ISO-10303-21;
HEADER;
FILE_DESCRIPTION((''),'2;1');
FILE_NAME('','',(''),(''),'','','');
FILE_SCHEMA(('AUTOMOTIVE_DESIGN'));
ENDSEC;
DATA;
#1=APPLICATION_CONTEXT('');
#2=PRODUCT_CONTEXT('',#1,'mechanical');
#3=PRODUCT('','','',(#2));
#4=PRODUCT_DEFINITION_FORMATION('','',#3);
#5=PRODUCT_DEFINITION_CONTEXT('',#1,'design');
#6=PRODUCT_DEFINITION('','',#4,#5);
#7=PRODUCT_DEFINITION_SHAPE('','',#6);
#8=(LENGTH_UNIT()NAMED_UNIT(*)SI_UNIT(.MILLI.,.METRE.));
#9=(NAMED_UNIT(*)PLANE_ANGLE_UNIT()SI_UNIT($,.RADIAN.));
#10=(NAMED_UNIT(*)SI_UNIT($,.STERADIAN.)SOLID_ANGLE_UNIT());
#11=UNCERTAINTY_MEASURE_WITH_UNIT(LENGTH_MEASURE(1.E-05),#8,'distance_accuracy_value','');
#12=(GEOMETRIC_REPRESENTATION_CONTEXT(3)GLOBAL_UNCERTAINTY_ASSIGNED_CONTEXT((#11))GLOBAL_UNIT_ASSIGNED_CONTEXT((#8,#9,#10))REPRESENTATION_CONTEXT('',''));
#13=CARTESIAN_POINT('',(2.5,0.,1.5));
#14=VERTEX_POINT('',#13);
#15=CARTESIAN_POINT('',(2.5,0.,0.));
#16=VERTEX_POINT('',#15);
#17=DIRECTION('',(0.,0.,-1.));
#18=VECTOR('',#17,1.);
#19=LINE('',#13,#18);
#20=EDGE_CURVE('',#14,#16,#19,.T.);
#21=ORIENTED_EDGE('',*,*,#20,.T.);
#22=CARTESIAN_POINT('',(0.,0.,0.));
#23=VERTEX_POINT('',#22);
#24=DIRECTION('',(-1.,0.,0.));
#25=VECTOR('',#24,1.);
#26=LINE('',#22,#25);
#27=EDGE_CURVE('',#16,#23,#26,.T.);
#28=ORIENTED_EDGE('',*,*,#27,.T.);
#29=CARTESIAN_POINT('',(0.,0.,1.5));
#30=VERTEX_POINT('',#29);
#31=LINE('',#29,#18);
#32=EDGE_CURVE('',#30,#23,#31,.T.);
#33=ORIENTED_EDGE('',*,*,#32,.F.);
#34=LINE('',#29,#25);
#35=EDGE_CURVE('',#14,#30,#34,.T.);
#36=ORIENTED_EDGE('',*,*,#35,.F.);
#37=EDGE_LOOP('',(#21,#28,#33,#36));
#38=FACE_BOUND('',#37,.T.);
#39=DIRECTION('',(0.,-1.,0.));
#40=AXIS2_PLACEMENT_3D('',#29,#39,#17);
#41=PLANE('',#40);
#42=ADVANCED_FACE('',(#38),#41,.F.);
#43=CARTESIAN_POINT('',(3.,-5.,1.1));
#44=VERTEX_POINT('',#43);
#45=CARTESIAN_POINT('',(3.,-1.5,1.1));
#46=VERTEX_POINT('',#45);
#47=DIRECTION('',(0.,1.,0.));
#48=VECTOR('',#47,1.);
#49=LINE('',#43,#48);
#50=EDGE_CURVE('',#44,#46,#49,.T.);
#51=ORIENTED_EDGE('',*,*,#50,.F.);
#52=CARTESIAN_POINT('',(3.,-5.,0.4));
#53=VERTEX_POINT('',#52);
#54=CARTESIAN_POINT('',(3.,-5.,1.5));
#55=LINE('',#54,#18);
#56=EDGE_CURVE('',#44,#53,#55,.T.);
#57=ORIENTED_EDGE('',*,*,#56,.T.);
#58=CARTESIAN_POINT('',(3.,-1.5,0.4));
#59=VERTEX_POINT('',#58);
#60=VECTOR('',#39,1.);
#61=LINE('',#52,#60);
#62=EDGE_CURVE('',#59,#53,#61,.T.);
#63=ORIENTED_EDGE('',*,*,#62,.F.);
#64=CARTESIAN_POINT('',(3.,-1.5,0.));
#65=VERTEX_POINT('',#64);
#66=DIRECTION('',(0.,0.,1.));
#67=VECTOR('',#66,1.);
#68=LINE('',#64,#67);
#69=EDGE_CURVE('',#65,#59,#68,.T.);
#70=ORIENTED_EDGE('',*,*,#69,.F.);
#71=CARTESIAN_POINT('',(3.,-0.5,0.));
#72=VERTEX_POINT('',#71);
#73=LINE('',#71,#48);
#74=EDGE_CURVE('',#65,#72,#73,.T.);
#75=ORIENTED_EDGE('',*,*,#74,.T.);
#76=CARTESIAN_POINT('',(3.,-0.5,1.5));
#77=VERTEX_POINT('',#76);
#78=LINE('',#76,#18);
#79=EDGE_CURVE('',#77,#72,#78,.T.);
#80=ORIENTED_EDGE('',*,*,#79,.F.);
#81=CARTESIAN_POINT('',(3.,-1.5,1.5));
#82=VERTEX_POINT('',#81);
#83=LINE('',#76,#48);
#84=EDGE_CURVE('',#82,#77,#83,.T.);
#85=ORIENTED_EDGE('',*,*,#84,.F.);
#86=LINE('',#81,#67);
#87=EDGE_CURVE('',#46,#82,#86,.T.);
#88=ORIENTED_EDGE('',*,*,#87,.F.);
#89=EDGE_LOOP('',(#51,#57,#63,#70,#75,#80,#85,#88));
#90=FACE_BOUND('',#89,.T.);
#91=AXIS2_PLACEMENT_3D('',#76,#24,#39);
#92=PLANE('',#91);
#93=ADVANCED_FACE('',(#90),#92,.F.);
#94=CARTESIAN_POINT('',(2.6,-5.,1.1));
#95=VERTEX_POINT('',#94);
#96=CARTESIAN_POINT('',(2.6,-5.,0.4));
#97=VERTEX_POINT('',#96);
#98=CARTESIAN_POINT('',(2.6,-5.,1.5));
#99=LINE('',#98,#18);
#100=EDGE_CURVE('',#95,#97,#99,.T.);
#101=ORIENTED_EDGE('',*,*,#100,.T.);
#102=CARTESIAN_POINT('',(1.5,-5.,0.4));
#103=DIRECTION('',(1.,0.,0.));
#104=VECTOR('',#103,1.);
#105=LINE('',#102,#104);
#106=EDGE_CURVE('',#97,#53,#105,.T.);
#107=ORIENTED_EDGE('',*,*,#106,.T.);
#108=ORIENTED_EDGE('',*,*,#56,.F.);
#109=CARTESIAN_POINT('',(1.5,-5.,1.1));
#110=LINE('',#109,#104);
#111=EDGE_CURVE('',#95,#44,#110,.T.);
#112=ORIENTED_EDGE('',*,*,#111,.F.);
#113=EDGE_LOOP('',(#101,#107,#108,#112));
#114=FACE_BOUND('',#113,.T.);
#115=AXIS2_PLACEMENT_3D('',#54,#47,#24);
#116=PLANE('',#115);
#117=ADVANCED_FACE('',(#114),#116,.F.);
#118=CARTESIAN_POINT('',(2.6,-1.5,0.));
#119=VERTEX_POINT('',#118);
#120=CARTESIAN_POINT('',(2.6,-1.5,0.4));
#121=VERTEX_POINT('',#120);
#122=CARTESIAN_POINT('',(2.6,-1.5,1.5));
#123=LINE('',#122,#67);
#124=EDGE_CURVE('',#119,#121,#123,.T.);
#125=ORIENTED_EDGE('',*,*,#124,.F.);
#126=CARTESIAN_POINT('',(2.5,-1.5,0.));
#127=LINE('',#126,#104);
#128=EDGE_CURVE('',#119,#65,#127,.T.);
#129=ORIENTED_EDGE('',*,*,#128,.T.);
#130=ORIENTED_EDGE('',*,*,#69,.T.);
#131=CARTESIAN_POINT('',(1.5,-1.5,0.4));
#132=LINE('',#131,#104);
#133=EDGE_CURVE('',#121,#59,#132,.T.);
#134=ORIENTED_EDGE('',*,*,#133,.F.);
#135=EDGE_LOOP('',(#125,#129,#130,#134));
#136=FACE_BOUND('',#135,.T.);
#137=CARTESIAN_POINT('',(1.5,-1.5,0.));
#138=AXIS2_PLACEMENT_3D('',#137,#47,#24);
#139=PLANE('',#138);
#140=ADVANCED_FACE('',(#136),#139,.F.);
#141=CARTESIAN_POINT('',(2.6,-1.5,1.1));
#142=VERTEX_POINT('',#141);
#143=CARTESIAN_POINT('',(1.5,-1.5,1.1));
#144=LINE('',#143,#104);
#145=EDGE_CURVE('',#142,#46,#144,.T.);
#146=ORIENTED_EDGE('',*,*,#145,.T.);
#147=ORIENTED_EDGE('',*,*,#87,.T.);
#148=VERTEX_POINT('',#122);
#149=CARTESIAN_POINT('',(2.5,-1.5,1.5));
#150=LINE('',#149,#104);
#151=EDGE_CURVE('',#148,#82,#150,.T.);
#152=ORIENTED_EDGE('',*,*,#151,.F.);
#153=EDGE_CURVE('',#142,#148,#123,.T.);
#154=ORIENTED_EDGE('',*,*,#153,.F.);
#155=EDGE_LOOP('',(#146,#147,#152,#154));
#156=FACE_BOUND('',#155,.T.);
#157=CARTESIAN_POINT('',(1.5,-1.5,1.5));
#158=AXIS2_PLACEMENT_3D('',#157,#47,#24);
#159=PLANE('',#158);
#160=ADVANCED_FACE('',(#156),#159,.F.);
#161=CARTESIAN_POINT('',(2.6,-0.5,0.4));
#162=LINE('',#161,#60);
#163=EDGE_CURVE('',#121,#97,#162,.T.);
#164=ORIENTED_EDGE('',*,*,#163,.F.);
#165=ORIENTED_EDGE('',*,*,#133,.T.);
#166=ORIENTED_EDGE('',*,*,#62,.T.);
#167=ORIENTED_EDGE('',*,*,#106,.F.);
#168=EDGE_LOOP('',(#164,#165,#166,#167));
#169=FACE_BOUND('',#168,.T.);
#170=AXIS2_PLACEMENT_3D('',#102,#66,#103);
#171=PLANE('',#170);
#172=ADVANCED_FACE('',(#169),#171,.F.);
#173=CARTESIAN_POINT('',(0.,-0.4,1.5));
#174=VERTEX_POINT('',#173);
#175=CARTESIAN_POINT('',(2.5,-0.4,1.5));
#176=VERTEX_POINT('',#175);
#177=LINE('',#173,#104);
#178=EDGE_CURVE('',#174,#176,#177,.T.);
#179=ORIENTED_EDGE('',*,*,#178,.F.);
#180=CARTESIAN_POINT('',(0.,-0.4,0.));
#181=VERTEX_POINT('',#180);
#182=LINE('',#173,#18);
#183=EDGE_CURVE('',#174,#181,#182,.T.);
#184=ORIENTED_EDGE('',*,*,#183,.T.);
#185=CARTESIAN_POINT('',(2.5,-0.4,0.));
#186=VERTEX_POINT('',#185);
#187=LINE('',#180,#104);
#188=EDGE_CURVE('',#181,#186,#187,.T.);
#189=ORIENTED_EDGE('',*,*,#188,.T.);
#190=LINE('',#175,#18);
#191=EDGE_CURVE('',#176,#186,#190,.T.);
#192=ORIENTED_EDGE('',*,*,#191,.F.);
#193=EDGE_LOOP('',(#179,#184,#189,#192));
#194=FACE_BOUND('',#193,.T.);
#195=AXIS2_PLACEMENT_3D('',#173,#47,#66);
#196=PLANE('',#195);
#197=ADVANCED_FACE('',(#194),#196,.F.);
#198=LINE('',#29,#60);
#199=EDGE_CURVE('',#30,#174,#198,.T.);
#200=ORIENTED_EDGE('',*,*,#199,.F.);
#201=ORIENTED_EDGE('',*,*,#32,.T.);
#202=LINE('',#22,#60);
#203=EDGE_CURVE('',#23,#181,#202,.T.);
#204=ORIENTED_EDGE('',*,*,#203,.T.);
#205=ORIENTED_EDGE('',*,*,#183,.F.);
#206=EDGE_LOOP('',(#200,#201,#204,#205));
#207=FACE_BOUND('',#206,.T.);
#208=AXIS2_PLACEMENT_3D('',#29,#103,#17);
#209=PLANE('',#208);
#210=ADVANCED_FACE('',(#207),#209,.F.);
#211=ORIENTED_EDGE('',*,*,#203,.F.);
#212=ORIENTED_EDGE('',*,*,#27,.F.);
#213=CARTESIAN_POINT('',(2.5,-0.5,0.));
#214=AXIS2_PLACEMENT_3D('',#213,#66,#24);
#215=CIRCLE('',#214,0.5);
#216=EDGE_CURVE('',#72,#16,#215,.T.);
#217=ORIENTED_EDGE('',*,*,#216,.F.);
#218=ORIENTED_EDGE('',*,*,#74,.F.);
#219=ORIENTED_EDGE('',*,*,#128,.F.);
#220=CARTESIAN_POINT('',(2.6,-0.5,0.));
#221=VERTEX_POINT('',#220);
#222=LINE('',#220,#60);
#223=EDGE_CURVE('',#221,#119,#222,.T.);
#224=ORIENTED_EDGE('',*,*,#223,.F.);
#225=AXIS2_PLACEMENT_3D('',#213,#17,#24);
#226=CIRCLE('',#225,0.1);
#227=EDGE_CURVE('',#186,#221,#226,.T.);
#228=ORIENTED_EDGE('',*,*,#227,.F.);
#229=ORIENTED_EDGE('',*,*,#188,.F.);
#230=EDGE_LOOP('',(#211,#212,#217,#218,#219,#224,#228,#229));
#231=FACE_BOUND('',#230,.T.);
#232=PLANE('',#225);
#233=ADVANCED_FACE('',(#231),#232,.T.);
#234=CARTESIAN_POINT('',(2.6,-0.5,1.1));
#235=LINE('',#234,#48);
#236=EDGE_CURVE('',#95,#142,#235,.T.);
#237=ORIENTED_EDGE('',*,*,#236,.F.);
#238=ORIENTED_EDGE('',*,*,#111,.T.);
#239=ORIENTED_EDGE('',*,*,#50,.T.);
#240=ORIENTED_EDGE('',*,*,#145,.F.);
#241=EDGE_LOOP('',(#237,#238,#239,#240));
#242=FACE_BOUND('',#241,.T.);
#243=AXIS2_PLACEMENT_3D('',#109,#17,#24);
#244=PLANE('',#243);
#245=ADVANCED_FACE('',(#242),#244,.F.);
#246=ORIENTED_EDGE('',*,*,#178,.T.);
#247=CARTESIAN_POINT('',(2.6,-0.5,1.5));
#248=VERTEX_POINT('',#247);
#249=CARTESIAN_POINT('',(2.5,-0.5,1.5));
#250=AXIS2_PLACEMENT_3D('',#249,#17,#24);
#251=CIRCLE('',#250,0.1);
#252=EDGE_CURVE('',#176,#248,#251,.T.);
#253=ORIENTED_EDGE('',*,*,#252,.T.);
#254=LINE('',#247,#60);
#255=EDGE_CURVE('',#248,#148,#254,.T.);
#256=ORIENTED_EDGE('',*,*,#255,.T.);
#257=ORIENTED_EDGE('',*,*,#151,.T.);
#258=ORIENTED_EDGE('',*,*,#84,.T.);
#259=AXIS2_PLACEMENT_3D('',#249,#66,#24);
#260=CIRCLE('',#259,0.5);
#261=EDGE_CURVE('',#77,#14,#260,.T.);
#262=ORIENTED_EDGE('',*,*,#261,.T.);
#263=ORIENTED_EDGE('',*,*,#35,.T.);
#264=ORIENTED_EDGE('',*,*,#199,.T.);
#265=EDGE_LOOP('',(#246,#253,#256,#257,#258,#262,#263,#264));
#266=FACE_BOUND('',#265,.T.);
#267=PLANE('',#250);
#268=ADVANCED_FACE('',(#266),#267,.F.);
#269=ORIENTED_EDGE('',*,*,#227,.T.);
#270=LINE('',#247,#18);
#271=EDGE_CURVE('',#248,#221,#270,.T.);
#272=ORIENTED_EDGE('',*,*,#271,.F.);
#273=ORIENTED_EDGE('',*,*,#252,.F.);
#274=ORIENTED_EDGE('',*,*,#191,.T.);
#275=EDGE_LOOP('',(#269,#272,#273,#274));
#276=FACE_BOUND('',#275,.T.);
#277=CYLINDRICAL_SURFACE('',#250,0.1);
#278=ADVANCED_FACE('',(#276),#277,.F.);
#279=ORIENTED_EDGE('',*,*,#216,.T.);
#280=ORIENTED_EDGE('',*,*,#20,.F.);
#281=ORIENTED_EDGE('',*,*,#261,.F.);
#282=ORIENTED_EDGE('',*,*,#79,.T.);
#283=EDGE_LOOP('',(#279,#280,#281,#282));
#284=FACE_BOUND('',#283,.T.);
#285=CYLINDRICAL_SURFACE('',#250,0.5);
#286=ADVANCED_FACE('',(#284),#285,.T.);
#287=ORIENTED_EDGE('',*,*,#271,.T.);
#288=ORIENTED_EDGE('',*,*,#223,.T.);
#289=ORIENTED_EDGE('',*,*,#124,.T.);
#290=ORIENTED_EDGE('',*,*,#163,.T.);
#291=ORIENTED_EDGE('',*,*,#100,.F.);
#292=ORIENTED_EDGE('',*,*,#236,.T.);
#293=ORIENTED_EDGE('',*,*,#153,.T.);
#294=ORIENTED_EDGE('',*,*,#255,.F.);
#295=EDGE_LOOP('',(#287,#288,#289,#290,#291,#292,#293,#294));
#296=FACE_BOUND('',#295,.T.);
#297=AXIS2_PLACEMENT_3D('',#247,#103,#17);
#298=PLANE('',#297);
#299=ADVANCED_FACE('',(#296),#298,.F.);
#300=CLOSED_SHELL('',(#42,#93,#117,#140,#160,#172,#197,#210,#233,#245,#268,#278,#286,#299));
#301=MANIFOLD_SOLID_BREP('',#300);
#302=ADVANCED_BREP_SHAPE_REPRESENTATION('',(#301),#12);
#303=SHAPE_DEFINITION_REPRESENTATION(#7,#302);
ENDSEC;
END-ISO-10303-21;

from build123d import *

# Parameters (mm, degrees)
BOSS_EXTRUDE1_DEPTH = 1.5
SKETCH2_W           = 0.4
SKETCH2_H           = 3.5
CUT_EXTRUDE1_DEPTH  = 1.5


with BuildPart() as part:
    # Sketch1 → Boss-Extrude1 (new body)
    with BuildSketch(Plane.XY):
        with BuildLine():
            Line((0, 0), (2.5, 0))
            ThreePointArc((2.5, 0), (2.853553391, -0.146446609), (3, -0.5))
            Line((3, -0.5), (3, -5))
            Line((3, -5), (2.6, -5))
            Line((2.6, -5), (2.6, -0.5))
            ThreePointArc((2.6, -0.5), (2.570710678, -0.429289322), (2.5, -0.4))
            Line((2.5, -0.4), (0, -0.4))
            Line((0, -0.4), (0, 0))
        make_face()
    extrude(amount=BOSS_EXTRUDE1_DEPTH)

    # Sketch2 → Cut-Extrude1 (cut)
    with BuildSketch(Plane(origin=(3, 0, 0), x_dir=(0, 0, -1), z_dir=(1, 0, 0))):
        with Locations((-1.3, -3.25)):
            Rectangle(SKETCH2_W, SKETCH2_H)
        with Locations((-0.2, -3.25)):
            Rectangle(SKETCH2_W, SKETCH2_H)
    extrude(amount=-CUT_EXTRUDE1_DEPTH, mode=Mode.SUBTRACT)


solid = part.part
